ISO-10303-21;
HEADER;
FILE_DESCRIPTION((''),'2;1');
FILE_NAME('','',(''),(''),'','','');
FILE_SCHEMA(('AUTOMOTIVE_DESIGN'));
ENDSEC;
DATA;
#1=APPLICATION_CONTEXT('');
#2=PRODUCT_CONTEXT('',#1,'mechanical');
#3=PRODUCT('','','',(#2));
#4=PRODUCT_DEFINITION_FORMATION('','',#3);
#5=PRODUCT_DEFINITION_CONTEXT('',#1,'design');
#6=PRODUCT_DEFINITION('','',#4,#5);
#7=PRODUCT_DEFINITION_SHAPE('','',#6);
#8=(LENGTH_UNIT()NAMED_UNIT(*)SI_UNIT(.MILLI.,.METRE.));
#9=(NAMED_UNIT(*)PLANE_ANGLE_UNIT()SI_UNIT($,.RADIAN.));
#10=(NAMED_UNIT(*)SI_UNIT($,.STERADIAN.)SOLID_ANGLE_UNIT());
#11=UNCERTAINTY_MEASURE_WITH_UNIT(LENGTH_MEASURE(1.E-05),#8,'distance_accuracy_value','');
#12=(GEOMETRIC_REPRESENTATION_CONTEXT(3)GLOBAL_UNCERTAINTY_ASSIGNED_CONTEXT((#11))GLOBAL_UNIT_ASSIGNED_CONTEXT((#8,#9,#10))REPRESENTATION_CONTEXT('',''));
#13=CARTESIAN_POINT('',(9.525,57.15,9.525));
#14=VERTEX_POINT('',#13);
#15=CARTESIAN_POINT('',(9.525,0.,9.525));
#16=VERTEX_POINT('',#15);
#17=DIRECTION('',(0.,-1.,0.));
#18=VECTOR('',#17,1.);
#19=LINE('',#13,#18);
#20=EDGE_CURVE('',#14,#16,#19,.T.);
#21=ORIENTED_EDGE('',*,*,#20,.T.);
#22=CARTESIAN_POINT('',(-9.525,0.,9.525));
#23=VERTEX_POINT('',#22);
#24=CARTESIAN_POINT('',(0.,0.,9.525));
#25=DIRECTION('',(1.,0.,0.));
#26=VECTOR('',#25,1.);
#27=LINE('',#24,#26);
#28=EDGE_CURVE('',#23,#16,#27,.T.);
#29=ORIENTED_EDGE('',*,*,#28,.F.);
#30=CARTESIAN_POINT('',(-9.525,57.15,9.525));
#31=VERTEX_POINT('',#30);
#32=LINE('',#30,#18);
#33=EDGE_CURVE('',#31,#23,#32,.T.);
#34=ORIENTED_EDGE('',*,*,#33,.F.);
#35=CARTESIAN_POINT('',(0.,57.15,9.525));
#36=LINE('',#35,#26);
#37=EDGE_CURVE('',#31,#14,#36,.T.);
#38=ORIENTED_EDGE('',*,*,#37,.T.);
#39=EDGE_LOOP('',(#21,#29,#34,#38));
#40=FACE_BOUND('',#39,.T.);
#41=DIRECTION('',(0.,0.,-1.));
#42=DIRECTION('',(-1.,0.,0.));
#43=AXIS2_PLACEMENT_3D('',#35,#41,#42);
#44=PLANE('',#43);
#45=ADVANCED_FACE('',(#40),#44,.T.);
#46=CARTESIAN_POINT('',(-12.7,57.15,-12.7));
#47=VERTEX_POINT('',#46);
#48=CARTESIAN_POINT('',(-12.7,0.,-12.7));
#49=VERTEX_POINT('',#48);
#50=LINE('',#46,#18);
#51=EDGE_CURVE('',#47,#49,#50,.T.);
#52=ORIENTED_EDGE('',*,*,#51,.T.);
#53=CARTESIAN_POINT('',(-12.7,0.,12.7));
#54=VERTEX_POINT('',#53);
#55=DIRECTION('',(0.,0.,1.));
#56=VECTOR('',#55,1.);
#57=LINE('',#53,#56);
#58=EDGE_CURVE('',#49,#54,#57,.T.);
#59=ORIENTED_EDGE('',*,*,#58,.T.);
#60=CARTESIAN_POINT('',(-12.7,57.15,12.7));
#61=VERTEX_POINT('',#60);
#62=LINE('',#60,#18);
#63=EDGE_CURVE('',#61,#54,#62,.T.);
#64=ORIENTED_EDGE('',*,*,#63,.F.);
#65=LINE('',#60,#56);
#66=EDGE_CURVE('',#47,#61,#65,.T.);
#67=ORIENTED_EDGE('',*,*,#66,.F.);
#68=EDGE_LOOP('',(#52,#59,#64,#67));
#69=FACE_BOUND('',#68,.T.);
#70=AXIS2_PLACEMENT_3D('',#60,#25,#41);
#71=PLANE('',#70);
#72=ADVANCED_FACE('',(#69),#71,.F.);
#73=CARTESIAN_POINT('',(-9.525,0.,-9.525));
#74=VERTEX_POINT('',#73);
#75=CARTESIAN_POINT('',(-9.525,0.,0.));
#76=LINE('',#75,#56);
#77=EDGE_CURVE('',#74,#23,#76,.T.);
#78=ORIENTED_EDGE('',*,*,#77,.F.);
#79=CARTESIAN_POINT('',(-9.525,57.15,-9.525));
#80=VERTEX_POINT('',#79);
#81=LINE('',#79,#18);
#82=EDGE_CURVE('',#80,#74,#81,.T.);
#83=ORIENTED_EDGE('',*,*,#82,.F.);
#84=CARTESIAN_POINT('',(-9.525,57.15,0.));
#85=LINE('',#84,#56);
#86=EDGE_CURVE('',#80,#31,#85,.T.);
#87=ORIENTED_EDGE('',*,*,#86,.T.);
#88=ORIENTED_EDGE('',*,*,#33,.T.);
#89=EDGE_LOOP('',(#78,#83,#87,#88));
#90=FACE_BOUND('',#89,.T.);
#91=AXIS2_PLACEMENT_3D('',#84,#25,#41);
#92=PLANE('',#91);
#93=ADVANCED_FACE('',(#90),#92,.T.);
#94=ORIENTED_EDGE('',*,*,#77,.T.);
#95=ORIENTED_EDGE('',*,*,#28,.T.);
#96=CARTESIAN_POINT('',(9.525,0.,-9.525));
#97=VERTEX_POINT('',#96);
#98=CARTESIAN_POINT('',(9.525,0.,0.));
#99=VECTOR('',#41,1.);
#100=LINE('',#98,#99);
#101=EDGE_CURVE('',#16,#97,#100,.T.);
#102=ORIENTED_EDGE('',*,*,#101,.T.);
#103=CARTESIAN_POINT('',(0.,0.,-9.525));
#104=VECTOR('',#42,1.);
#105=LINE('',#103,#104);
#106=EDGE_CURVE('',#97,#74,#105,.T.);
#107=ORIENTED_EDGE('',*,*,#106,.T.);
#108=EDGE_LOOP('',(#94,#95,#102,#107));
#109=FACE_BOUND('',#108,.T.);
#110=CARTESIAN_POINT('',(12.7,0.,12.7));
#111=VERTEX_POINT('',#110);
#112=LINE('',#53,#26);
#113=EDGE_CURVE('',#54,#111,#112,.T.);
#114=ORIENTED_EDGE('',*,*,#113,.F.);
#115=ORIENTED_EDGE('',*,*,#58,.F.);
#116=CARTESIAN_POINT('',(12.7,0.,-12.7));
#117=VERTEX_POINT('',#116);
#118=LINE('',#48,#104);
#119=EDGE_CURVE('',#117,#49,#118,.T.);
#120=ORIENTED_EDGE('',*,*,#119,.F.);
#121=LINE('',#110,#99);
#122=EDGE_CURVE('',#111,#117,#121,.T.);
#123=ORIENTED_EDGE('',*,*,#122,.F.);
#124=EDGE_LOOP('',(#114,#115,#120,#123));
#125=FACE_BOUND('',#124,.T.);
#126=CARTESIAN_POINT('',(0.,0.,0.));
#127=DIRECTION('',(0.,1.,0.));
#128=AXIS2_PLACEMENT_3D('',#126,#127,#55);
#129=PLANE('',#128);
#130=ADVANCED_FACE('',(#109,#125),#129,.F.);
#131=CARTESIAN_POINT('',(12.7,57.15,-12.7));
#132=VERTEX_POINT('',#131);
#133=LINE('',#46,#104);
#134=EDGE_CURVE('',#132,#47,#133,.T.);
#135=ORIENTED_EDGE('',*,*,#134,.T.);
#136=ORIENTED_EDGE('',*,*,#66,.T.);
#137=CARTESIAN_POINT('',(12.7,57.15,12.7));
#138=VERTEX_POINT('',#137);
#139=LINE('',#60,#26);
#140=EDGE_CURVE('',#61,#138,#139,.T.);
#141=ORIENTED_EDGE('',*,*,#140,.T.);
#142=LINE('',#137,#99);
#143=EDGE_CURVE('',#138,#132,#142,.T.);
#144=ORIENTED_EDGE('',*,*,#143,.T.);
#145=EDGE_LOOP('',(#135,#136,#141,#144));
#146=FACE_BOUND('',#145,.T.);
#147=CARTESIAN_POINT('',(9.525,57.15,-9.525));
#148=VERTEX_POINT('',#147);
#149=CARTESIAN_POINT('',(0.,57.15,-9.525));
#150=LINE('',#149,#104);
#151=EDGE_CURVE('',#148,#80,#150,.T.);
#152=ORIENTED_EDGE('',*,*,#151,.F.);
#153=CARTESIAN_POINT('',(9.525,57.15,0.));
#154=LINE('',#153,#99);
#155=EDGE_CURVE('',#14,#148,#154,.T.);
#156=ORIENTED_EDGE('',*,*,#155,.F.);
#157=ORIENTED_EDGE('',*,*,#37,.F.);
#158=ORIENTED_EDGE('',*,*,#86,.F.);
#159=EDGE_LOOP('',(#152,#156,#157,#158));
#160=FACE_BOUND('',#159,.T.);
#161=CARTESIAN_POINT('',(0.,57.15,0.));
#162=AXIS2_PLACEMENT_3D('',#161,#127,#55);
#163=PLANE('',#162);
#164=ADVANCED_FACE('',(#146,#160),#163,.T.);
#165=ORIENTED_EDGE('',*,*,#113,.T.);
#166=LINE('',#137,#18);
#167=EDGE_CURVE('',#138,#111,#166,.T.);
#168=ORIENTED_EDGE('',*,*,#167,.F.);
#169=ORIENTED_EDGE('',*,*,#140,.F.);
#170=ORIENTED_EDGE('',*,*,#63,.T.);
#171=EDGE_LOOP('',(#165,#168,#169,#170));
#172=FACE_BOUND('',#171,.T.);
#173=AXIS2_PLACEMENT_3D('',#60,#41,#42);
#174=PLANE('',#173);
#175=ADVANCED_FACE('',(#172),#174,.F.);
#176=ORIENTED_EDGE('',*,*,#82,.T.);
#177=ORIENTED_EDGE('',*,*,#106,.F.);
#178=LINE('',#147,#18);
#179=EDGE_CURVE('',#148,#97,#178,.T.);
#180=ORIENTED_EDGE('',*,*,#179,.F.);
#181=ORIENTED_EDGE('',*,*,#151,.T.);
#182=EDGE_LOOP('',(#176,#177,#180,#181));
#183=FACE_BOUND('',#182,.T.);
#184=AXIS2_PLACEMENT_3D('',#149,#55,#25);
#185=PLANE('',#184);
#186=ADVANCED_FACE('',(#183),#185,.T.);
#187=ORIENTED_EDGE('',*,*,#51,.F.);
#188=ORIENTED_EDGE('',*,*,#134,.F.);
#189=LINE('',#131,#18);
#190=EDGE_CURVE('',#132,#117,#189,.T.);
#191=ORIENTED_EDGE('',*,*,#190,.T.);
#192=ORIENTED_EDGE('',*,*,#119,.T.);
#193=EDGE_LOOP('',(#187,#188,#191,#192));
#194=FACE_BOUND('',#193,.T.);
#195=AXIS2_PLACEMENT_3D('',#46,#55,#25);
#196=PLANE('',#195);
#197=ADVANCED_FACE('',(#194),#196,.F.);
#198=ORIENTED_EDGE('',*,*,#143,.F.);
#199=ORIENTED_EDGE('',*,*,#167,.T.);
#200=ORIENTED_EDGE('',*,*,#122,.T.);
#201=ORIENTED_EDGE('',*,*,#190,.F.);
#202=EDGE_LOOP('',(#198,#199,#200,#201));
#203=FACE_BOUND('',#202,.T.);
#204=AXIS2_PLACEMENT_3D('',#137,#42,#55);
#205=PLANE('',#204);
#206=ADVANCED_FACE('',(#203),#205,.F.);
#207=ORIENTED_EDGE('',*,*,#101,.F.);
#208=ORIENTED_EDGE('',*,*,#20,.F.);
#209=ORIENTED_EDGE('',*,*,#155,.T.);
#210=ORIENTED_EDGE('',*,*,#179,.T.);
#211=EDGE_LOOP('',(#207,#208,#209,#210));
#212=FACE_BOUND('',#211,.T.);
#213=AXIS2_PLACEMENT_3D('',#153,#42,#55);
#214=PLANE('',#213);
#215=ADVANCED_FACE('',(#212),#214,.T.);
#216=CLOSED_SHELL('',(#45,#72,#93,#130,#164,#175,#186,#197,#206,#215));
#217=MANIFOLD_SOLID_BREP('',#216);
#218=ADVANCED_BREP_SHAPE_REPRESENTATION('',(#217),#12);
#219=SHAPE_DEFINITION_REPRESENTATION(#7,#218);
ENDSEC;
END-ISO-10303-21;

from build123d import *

# Parameters (mm, degrees)
SKETCH1_W           = 25.4
SKETCH1_H           = 25.4
SKETCH1_W_2         = 19.05
SKETCH1_H_2         = 19.05
EXTRUDE_THIN1_DEPTH = 57.15


with BuildPart() as part:
    # Sketch1 → Extrude-Thin1 (new body)
    with BuildSketch(Plane(origin=(0, 0, 0), x_dir=(1, 0, 0), z_dir=(0, 1, 0))):
        Rectangle(SKETCH1_W, SKETCH1_H)
        Rectangle(SKETCH1_W_2, SKETCH1_H_2, mode=Mode.SUBTRACT)
    extrude(amount=EXTRUDE_THIN1_DEPTH)


solid = part.part
